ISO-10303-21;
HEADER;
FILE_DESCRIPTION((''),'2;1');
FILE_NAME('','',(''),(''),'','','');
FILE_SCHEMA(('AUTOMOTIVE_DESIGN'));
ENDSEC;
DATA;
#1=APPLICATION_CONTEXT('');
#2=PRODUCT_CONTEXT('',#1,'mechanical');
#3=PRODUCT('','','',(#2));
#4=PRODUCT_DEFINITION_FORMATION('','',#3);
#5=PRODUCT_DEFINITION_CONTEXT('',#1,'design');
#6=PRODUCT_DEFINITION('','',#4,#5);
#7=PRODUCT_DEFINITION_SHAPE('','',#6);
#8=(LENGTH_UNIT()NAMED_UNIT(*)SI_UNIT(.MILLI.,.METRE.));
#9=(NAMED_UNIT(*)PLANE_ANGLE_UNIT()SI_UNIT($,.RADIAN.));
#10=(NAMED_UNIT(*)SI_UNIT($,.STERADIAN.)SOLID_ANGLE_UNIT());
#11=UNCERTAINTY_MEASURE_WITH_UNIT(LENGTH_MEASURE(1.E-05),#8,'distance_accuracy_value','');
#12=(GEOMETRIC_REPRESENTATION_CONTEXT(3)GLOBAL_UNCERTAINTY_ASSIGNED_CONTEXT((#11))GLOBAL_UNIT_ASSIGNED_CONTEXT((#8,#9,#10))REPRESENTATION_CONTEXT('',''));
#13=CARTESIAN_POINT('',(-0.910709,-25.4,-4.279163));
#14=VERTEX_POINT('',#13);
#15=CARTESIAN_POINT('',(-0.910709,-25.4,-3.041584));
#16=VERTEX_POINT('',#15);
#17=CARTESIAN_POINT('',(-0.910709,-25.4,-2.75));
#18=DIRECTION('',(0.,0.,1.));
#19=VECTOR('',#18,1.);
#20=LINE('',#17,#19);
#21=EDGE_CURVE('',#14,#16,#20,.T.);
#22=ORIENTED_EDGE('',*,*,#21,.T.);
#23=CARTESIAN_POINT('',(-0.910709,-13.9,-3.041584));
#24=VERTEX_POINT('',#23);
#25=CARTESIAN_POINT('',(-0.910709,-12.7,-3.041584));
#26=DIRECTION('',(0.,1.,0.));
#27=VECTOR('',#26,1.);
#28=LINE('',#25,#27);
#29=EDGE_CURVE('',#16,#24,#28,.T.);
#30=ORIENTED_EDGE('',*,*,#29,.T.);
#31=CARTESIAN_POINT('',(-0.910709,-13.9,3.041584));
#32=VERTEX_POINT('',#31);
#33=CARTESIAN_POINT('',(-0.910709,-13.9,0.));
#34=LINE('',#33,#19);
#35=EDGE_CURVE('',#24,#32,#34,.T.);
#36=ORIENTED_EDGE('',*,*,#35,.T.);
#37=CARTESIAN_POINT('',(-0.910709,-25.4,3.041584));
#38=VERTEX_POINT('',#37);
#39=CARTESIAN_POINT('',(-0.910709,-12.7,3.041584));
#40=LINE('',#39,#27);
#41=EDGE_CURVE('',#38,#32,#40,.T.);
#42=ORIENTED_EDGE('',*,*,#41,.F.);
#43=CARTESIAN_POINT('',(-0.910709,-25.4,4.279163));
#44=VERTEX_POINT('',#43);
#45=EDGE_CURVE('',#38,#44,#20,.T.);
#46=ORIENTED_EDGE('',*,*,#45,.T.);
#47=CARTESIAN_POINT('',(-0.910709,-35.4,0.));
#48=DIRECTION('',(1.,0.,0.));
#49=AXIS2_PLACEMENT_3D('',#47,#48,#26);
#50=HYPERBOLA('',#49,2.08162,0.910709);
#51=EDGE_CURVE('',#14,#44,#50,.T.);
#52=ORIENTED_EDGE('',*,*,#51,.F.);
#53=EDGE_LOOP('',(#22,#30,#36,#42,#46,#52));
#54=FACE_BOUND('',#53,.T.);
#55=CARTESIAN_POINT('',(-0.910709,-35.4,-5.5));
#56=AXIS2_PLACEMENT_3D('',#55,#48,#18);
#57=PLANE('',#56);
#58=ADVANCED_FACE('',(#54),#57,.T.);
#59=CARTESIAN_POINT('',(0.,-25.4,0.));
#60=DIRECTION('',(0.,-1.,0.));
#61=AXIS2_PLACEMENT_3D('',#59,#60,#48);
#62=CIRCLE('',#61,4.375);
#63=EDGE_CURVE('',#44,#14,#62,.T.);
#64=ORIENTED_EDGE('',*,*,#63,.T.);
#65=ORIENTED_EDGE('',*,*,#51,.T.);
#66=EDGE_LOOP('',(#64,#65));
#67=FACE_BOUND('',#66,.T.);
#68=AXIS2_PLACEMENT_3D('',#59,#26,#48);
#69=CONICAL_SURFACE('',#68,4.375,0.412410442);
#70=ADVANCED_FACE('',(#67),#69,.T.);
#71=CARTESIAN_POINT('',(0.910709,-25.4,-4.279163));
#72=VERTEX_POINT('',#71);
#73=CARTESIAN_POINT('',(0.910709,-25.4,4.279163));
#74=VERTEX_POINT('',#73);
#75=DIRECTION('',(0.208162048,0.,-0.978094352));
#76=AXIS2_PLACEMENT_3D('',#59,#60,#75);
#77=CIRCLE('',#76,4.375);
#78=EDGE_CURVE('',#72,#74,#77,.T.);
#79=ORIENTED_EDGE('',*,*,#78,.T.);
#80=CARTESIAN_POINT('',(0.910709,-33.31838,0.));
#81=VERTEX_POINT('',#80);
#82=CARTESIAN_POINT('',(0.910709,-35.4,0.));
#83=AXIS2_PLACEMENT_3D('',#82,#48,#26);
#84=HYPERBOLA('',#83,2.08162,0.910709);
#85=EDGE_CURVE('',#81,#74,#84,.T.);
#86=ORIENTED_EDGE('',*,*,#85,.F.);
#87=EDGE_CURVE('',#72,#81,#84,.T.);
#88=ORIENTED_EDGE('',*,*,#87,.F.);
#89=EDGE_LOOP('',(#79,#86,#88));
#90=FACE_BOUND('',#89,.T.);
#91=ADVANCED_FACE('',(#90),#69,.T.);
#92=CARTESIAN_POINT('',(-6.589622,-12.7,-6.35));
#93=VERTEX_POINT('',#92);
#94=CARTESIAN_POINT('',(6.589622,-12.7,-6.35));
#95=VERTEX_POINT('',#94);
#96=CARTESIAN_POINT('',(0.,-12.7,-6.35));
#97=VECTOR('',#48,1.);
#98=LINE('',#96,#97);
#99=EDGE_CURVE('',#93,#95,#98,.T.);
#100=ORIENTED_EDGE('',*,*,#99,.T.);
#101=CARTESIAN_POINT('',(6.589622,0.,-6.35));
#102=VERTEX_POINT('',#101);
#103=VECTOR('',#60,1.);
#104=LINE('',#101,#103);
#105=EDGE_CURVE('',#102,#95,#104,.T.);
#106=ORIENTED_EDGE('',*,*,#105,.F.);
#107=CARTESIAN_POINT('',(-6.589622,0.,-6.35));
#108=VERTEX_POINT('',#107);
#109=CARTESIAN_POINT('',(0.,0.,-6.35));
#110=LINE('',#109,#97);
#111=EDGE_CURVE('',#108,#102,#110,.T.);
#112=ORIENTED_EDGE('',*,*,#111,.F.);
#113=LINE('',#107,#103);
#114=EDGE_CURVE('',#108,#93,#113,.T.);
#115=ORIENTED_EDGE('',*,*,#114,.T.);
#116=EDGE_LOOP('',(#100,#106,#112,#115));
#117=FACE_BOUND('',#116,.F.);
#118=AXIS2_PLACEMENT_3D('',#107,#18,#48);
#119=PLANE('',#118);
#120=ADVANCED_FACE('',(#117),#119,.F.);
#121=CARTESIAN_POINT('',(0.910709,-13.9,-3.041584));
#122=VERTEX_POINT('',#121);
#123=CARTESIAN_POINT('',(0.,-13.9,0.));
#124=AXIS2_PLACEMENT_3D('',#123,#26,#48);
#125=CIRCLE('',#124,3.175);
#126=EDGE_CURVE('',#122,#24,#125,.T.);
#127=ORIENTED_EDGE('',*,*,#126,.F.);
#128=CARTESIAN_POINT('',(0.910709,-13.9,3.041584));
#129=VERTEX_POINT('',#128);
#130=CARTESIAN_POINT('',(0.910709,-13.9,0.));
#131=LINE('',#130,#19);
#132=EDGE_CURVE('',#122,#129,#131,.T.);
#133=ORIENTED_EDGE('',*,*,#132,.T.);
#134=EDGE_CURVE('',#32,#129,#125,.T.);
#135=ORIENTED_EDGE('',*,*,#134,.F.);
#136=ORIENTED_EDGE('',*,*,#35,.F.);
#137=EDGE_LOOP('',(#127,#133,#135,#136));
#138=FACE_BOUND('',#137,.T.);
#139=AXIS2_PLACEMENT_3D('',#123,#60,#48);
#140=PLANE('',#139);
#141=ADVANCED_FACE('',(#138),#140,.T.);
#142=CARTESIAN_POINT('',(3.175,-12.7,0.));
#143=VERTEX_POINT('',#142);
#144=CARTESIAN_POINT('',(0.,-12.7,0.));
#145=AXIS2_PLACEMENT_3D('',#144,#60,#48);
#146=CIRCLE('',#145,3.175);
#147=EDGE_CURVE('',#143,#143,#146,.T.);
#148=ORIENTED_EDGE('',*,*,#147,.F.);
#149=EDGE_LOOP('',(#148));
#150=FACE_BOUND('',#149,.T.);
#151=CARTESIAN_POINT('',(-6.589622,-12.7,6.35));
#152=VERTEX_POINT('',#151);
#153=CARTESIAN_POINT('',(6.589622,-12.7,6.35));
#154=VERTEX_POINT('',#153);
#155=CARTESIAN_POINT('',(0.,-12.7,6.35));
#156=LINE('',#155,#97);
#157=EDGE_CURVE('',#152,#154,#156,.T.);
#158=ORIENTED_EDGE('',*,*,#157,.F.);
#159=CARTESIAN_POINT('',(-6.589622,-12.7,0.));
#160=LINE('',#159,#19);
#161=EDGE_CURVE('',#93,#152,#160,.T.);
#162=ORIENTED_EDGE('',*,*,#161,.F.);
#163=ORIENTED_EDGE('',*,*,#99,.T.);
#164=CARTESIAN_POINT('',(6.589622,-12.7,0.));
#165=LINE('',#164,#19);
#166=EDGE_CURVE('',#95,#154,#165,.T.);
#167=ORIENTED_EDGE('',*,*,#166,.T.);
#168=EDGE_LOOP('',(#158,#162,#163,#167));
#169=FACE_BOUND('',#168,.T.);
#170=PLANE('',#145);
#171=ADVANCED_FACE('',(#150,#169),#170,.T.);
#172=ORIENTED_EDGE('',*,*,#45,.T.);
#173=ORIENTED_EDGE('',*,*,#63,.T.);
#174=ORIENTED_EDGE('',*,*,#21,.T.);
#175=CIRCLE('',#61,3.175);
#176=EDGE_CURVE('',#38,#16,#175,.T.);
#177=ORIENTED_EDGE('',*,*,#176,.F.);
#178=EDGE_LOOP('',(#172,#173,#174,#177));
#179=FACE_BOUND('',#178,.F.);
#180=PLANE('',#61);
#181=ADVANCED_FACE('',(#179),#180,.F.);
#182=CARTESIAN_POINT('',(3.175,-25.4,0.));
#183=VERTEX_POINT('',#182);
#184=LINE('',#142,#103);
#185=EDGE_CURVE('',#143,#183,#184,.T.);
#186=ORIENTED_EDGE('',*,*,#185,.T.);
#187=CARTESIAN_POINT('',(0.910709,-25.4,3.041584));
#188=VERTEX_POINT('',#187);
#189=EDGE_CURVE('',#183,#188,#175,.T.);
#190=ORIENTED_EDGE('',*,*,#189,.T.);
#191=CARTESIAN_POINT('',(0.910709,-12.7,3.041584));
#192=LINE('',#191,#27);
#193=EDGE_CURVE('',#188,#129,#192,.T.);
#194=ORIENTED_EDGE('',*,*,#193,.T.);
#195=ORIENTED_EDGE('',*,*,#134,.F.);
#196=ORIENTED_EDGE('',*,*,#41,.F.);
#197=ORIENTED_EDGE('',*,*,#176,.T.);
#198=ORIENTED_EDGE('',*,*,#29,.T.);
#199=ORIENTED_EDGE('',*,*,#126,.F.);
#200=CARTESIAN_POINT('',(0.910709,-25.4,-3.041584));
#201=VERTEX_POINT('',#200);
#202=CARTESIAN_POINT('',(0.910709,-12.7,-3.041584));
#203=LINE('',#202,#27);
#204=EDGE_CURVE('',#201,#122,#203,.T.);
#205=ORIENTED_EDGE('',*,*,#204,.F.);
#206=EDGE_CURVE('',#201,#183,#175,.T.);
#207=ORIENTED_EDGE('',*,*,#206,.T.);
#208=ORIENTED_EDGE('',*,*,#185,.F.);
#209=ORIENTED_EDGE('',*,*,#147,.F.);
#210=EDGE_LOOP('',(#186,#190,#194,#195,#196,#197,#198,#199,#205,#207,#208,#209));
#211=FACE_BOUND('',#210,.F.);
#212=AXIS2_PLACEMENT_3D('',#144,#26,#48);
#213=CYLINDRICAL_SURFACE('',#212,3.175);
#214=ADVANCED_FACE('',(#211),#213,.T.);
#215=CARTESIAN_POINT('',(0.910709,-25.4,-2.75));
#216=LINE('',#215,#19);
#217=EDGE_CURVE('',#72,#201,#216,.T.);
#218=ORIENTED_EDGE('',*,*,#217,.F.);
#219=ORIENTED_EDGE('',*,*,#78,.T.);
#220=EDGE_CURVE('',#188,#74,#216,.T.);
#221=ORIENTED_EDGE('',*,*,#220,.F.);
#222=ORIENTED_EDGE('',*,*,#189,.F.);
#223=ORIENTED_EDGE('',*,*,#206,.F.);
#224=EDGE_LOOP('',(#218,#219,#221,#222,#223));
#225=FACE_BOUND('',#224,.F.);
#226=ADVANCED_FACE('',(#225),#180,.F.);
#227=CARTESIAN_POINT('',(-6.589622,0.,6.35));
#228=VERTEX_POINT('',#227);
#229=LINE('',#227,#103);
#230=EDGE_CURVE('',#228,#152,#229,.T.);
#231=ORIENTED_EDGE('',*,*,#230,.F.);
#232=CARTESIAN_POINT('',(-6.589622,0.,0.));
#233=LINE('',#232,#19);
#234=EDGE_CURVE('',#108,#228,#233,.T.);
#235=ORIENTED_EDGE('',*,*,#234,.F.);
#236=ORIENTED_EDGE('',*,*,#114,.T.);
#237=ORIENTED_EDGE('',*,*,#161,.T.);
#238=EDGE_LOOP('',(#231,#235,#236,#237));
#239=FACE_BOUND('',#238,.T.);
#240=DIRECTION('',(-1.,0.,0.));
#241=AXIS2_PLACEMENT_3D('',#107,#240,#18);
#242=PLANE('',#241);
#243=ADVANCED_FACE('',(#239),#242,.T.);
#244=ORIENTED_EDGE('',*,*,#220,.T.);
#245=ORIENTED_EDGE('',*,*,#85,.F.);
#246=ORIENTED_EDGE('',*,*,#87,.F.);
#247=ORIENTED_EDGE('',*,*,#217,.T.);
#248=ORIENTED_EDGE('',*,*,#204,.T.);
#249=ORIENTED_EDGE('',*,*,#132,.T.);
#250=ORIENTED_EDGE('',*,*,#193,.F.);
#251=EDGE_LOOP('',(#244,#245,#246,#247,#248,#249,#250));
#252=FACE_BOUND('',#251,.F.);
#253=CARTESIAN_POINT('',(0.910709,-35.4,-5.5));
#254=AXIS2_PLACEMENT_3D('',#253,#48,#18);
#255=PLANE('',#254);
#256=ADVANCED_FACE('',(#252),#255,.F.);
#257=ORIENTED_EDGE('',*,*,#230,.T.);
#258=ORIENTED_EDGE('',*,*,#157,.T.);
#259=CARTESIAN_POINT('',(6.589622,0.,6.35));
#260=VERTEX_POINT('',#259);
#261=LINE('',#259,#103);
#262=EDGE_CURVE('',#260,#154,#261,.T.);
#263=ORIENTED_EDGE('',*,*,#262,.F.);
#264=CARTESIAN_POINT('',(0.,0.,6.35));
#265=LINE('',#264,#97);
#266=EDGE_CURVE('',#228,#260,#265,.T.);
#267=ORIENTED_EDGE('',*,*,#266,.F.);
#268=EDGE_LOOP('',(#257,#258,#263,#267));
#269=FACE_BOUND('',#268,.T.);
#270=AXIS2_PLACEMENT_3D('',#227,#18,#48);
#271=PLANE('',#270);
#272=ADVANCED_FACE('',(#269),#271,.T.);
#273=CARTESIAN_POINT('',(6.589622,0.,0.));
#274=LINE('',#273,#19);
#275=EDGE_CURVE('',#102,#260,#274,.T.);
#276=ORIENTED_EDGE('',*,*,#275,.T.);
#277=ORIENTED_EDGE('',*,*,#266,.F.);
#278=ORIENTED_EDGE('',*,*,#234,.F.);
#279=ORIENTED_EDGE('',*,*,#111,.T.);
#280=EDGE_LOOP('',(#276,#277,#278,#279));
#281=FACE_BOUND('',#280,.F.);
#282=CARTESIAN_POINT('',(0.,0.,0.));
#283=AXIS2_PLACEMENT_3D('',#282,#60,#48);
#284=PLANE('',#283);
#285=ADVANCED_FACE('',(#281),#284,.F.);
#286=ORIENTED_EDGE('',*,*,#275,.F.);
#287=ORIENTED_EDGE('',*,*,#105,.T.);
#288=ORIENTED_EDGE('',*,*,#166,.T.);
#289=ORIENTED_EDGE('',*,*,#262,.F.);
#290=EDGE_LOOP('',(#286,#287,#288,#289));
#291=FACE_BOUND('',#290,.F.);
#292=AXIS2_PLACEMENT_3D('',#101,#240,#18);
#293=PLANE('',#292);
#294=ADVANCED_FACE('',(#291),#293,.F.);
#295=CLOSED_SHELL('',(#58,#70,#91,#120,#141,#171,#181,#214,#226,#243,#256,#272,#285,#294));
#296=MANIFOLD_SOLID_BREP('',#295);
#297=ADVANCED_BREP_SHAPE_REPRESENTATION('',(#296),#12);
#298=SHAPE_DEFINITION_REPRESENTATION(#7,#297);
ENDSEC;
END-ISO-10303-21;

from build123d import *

# Parameters (mm, degrees)
F0_W      = 13.1792449958
F0_H      = 12.7
F1_DEPTH  = 12.7
F2_R      = 3.175
F3_DEPTH  = 12.7
F7_R      = 4.375
F9_W      = 1.821417918
F9_H      = 11
F10_DEPTH = 21.5


with BuildPart() as f1:
    # F0 (on Front) → F1 (new body)
    with BuildSketch(Plane.XZ):
        Rectangle(F0_W, F0_H)
    extrude(amount=F1_DEPTH)

    # F2 (on face) → F3 (join)
    with BuildSketch(Plane.XZ.offset(12.7)):
        Circle(F2_R)
    extrude(amount=F3_DEPTH)

    # F7 (on offset) → F8 section 0
    with BuildSketch(Plane.XZ.offset(25.4), mode=Mode.PRIVATE) as f8_s0:
        Circle(F7_R)
    loft([f8_s0.sketch, Vertex(0, -35.4, 0)])

    # F9 (on offset) → F10 (cut)
    with BuildSketch(Plane.XZ.offset(35.4)):
        Rectangle(F9_W, F9_H)
    extrude(amount=-F10_DEPTH, mode=Mode.SUBTRACT)


solid = f1.part
